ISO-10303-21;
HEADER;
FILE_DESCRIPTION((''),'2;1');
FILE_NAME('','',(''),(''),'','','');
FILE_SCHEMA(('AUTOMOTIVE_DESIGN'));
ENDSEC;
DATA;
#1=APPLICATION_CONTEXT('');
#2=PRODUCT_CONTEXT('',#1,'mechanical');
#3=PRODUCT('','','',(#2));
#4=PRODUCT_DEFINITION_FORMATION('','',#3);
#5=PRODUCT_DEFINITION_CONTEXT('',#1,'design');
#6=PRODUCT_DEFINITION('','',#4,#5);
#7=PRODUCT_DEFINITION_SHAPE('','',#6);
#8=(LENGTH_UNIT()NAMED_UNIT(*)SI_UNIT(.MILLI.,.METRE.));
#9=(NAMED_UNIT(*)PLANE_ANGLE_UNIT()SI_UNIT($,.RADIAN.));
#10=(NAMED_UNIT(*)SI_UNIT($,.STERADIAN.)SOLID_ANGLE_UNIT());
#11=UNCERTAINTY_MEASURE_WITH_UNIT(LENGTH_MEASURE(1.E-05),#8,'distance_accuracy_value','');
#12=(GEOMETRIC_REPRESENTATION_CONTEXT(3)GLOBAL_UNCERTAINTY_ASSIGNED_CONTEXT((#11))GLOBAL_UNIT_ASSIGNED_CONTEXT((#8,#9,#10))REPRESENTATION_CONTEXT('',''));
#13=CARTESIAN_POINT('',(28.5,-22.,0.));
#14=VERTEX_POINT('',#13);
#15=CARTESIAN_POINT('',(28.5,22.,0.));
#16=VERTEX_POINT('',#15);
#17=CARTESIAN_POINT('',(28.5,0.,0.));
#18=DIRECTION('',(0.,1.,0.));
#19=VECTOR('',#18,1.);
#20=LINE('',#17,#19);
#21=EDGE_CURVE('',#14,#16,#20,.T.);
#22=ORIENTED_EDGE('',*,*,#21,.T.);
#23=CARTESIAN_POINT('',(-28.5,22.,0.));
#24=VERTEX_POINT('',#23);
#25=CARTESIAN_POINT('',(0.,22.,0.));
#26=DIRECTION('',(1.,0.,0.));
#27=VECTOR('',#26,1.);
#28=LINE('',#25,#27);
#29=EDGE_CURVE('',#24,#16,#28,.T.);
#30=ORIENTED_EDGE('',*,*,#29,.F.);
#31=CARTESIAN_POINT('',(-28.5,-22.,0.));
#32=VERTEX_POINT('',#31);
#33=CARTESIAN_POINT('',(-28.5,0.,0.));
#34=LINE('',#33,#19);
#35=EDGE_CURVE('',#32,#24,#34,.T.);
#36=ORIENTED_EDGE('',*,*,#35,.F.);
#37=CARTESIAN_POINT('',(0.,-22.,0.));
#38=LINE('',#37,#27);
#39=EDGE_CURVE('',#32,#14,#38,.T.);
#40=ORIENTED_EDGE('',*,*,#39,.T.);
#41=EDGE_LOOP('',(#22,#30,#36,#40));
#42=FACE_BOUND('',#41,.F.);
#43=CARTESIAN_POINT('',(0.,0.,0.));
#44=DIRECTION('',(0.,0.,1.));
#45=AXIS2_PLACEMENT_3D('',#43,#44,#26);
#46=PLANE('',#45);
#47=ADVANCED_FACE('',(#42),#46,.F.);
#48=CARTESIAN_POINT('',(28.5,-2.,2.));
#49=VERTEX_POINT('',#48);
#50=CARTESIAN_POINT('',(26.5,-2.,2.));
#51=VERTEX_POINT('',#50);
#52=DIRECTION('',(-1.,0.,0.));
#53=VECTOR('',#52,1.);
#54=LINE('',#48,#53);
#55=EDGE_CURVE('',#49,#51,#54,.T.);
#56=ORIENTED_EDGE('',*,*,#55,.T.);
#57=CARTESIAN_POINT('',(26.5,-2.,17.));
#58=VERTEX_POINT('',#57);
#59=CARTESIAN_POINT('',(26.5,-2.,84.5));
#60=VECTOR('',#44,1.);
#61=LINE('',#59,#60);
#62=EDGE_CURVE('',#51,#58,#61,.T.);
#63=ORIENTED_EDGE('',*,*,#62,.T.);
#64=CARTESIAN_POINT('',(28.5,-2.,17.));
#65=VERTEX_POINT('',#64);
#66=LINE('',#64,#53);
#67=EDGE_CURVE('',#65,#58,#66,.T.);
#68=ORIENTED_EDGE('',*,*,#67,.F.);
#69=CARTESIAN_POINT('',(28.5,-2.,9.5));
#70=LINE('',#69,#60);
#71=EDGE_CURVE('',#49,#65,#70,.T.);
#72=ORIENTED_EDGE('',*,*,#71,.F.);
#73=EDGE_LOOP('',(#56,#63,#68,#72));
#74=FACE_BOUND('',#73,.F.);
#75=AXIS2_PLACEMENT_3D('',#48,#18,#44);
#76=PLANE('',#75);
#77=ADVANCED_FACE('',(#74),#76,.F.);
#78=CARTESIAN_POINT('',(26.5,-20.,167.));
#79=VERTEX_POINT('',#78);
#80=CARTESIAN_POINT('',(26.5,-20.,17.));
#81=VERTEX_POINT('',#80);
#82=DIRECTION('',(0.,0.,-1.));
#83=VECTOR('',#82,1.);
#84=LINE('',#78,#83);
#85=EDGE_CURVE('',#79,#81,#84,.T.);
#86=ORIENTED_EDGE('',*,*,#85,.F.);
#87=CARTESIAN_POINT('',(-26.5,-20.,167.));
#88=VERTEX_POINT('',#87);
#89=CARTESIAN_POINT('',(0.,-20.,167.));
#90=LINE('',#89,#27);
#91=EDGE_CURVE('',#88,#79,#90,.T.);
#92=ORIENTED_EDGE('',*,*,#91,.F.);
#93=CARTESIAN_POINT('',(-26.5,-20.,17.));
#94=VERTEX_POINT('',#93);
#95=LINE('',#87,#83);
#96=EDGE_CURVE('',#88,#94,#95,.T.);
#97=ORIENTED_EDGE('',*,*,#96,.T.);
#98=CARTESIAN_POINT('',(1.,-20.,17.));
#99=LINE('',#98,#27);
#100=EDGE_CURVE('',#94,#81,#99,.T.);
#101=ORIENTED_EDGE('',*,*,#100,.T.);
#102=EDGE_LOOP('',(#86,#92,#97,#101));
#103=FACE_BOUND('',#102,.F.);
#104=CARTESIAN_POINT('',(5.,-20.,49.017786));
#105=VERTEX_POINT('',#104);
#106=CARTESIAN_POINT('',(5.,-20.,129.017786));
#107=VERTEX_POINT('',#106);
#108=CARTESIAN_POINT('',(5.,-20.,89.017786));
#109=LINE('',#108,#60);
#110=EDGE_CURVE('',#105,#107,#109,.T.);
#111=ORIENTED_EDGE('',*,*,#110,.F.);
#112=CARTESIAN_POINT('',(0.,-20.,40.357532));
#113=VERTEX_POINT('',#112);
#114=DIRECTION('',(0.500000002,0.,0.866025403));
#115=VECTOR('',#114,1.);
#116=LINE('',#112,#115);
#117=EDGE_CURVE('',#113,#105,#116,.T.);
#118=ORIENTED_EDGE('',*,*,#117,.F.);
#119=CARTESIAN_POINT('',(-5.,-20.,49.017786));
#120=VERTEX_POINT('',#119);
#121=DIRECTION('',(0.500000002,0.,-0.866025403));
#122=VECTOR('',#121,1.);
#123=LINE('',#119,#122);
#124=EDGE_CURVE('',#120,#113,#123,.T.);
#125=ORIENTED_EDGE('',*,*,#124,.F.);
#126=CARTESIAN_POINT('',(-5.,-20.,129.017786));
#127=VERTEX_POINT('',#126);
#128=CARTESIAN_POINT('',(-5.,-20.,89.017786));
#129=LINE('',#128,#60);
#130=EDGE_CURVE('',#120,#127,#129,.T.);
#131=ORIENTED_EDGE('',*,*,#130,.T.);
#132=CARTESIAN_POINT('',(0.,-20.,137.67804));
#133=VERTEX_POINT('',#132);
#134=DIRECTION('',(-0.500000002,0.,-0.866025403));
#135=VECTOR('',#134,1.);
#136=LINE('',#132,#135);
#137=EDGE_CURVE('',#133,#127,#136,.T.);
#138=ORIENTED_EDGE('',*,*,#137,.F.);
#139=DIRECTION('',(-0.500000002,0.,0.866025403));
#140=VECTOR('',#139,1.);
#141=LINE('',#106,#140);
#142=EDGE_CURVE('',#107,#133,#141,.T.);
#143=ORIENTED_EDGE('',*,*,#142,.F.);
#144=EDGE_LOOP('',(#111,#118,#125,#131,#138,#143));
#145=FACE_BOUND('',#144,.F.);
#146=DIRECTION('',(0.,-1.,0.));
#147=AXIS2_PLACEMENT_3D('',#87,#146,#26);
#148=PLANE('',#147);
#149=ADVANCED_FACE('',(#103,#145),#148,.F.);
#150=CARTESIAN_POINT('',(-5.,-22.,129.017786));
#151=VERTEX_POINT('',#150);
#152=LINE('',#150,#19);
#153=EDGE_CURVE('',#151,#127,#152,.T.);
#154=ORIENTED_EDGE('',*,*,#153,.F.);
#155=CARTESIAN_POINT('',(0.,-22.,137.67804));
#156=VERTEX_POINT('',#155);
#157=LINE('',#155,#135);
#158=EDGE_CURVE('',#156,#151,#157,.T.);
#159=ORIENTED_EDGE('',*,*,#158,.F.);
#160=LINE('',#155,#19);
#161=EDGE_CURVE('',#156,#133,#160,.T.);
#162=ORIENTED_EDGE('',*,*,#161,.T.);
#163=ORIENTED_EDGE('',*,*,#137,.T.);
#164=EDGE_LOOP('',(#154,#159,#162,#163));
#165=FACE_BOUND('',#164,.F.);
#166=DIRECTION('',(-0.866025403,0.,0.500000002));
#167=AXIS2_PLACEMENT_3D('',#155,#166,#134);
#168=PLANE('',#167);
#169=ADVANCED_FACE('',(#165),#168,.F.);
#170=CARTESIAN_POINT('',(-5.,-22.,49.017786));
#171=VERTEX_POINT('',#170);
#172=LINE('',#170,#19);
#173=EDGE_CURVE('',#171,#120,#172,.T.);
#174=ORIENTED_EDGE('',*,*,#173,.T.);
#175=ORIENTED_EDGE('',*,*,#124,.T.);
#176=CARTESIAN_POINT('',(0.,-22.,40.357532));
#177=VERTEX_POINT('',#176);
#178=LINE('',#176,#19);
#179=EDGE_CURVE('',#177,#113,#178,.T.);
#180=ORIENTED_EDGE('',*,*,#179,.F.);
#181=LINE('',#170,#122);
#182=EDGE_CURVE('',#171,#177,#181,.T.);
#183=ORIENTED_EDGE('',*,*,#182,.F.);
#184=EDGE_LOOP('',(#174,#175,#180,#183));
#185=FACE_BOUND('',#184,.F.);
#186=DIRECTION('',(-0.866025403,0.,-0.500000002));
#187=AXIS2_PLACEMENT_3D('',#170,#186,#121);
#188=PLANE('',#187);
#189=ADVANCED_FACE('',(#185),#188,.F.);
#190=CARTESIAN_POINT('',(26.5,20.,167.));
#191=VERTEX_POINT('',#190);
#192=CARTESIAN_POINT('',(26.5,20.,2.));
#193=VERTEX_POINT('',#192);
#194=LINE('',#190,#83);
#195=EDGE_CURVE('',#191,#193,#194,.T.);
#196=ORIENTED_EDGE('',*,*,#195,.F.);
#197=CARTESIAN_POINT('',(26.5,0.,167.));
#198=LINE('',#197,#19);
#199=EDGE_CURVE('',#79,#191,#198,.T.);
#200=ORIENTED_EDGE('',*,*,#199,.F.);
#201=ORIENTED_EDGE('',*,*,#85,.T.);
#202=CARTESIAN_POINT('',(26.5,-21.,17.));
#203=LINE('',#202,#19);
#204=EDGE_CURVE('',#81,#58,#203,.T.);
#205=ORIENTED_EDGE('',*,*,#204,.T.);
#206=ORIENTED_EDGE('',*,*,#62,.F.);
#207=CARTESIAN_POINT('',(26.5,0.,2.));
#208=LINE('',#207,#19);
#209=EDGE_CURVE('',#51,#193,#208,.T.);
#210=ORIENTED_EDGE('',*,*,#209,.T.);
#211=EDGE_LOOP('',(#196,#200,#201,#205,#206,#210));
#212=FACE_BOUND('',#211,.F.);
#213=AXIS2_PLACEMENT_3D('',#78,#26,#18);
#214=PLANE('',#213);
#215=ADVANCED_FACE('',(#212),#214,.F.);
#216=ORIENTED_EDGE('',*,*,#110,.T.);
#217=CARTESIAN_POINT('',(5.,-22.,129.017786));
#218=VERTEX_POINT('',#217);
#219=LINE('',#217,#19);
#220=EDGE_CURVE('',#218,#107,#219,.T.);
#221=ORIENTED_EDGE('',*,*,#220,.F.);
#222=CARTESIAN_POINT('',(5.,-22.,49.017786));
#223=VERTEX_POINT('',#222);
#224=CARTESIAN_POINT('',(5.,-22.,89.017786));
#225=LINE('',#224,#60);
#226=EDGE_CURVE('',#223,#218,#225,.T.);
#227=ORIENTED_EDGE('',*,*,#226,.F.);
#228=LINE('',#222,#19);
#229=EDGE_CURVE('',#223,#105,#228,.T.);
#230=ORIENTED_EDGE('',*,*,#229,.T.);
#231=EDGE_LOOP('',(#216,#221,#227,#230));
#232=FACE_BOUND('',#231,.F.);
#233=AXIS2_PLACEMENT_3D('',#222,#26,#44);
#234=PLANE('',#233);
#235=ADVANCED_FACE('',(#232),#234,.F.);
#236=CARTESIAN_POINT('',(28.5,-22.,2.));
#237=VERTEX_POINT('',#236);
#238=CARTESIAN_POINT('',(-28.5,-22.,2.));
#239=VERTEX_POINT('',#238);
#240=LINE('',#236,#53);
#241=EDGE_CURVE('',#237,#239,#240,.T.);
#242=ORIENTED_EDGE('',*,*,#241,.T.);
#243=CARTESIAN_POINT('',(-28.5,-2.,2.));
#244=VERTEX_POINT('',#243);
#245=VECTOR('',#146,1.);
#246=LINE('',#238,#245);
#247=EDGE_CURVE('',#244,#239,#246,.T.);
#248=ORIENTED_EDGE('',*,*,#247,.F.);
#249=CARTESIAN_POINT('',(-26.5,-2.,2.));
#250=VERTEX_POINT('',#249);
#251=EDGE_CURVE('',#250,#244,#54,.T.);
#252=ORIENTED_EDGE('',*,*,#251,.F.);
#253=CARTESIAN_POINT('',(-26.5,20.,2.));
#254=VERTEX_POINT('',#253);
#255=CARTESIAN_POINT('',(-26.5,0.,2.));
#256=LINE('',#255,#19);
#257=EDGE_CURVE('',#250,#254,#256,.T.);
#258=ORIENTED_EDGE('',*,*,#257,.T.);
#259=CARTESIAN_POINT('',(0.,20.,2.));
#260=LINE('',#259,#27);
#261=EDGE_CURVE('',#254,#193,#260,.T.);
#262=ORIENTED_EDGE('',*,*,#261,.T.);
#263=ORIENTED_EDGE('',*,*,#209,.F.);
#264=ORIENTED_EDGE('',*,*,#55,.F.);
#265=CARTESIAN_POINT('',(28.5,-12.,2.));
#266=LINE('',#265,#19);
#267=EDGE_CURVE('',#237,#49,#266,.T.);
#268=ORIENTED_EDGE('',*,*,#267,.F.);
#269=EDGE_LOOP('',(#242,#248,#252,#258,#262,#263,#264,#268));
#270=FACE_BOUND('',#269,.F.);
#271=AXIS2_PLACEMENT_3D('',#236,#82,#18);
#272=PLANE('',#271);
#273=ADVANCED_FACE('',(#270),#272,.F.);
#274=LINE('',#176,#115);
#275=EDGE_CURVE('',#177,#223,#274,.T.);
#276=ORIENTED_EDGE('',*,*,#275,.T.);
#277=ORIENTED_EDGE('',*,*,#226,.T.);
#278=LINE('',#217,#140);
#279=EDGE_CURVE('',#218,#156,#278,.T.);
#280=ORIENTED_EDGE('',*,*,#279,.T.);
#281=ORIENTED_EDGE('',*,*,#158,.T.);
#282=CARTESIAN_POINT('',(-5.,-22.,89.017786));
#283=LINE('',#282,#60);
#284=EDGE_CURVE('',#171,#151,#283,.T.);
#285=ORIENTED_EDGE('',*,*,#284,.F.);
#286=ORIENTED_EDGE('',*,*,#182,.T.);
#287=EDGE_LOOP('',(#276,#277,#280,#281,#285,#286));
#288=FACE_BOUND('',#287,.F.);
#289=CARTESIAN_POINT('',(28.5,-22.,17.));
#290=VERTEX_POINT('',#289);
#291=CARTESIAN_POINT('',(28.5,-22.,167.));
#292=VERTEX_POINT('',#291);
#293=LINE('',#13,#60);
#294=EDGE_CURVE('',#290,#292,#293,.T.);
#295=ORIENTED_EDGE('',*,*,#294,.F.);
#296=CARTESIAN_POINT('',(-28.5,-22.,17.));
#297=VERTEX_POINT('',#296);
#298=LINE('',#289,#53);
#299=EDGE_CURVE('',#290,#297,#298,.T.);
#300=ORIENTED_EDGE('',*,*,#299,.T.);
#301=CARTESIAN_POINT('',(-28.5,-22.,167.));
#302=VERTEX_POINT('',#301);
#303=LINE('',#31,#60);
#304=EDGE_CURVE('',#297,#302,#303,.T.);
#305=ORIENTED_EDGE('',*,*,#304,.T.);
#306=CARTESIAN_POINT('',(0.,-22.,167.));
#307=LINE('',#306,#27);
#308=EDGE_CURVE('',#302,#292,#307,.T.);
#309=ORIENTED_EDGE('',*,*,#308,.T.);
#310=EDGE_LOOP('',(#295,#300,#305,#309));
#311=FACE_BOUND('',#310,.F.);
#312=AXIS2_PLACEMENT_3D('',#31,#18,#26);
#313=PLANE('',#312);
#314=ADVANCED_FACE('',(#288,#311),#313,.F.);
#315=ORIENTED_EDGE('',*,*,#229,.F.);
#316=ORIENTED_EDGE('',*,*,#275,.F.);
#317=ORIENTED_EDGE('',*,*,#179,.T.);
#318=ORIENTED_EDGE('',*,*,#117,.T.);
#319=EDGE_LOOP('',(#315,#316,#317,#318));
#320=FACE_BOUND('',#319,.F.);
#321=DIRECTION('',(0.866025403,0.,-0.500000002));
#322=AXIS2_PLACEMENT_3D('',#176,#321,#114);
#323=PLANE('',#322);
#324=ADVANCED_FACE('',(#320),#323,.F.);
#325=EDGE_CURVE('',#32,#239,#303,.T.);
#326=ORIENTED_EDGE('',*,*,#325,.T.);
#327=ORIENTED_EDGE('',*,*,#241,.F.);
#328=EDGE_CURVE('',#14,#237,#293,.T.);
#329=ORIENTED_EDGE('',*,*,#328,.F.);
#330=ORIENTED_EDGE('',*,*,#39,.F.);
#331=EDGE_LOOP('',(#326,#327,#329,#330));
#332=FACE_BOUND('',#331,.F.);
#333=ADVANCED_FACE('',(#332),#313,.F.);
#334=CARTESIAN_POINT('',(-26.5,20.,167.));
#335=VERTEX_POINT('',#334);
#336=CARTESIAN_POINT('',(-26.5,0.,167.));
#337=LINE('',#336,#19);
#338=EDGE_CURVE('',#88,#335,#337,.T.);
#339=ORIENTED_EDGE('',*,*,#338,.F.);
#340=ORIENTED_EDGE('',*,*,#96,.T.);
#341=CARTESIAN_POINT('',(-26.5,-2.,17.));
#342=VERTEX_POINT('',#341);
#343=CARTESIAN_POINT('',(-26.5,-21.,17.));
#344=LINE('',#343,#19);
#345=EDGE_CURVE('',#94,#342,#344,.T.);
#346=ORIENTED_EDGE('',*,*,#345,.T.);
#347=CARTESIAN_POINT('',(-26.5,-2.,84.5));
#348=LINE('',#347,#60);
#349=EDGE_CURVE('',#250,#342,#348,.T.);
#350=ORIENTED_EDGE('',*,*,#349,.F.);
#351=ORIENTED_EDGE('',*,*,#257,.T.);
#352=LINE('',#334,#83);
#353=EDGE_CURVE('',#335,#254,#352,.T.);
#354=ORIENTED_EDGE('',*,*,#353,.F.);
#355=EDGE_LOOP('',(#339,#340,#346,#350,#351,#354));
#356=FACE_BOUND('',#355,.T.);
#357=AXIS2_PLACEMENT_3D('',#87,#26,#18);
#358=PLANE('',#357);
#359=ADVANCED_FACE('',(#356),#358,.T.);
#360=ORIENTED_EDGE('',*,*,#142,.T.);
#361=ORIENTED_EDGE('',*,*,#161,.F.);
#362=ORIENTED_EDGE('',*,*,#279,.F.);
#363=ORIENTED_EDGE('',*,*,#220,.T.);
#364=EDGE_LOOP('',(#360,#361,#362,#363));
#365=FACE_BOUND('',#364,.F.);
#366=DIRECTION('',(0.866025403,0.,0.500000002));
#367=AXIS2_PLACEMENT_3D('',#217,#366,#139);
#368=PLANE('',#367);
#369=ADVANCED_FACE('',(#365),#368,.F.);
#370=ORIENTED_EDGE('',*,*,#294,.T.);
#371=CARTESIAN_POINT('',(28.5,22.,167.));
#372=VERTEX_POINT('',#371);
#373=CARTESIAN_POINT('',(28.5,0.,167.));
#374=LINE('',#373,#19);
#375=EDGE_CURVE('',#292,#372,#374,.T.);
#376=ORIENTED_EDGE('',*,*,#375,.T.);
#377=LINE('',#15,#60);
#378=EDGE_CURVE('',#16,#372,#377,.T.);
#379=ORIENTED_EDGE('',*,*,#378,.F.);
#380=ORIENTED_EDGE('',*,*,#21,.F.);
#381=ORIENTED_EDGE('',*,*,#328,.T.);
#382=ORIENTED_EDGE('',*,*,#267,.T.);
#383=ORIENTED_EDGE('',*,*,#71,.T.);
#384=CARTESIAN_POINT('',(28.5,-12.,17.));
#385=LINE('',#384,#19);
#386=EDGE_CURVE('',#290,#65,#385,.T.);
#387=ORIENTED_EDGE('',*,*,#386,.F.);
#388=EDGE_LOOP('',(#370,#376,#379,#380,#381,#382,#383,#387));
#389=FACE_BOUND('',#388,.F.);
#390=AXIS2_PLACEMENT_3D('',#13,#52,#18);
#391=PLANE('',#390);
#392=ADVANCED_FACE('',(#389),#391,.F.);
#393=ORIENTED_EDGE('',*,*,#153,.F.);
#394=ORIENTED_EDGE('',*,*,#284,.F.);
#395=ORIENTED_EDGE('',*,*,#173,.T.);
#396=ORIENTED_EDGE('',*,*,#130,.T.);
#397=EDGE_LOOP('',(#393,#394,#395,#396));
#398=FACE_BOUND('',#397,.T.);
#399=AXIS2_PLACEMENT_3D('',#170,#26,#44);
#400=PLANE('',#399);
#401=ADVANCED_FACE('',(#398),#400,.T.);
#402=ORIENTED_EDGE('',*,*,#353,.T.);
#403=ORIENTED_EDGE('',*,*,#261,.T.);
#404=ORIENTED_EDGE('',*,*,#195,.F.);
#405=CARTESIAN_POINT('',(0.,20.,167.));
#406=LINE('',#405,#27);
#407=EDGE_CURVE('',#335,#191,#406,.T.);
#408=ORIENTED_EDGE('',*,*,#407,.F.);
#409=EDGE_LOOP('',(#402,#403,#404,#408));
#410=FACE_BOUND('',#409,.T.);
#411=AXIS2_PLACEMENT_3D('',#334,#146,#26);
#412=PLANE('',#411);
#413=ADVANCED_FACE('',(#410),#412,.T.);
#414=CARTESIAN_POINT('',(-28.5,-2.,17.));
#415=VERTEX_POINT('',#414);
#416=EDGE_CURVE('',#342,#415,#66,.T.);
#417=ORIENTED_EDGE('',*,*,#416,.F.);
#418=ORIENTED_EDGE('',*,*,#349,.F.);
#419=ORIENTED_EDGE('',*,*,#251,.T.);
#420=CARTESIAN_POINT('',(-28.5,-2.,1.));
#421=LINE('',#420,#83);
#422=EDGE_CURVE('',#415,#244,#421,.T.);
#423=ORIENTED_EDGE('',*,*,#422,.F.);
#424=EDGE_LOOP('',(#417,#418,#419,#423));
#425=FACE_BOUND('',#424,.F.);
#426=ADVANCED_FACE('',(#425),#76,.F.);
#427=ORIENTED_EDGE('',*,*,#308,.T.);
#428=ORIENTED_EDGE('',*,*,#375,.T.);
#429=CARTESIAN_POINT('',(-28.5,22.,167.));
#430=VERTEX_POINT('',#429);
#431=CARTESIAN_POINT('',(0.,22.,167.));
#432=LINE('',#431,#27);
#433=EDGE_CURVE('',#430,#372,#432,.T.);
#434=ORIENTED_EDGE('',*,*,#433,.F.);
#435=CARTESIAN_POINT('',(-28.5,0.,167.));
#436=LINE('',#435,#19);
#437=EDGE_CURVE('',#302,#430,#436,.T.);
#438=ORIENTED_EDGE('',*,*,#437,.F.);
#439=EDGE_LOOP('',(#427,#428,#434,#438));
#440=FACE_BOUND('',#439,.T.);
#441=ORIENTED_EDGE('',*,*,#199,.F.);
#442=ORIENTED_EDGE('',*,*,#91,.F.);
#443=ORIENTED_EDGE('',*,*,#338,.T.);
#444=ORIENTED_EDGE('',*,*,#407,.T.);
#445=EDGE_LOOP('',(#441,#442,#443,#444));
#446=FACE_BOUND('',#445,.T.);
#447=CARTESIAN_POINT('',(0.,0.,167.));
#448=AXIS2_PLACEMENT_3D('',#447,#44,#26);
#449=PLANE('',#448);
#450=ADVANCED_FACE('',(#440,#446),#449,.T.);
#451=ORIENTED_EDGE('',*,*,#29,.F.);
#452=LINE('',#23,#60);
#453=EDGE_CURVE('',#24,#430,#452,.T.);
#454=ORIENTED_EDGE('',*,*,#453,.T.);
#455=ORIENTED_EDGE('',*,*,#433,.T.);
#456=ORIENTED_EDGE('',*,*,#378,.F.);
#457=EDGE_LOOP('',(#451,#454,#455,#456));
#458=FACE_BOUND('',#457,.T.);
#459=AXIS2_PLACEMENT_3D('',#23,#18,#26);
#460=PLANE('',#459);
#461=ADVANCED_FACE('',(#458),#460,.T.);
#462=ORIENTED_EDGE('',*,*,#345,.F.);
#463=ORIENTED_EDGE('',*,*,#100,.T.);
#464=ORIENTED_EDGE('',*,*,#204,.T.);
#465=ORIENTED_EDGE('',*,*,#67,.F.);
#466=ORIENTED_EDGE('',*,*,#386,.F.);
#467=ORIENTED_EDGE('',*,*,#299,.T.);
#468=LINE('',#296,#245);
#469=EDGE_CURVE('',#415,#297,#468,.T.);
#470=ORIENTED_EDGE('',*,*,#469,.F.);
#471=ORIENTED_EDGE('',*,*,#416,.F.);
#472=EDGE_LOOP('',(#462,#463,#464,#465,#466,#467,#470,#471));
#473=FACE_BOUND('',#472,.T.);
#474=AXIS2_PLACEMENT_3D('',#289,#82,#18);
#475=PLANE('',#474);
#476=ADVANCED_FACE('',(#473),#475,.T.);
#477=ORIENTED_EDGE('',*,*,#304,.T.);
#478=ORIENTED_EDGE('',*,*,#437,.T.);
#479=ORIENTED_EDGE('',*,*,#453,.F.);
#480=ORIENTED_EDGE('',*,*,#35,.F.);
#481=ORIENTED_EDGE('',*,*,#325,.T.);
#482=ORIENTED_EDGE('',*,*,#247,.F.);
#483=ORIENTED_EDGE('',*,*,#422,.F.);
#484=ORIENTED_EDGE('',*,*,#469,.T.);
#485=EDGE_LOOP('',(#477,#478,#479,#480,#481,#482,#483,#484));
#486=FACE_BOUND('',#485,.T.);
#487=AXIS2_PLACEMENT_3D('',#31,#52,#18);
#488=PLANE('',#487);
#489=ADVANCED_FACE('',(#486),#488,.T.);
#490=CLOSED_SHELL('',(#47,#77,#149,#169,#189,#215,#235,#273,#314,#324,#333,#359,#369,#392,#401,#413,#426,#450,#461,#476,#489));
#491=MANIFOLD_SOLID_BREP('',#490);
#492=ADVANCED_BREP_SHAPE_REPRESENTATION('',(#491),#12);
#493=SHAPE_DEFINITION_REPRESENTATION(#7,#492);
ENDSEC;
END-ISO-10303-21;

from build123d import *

# Parameters (mm, degrees)
F0_W     = 57
F0_H     = 44
F1_DEPTH = 167
F2_W     = 53
F2_H     = 40
F3_DEPTH = 165
F4_W     = 20
F4_H     = 15
F5_DEPTH = 84
F6_W     = 10
F6_H     = 80
F7_DEPTH = 2


with BuildPart() as f1:
    # F0 (on Top) → F1 (new body)
    with BuildSketch(Plane.XY):
        Rectangle(F0_W, F0_H)
    extrude(amount=F1_DEPTH)

    # F2 (on face) → F3 (cut)
    with BuildSketch(Plane.XY.offset(167)):
        Rectangle(F2_W, F2_H)
    extrude(amount=-F3_DEPTH, mode=Mode.SUBTRACT)

    # F4 (on face) → F5 (cut)
    with BuildSketch(Plane.YZ.offset(28.5)):
        with Locations((-12, 9.5)):
            Rectangle(F4_W, F4_H)
    extrude(amount=-F5_DEPTH, mode=Mode.SUBTRACT)

    # F6 (on face) → F7 (cut)
    with BuildSketch(Plane.XZ.offset(22)):
        Polygon((5, 49.017786), (-5, 49.017786), (0, 40.357532), align=None)
        with Locations((0, 89.017786)):
            Rectangle(F6_W, F6_H)
        Polygon((0, 137.67804), (-5, 129.017786), (5, 129.017786), align=None)
    extrude(amount=-F7_DEPTH, mode=Mode.SUBTRACT)


solid = f1.part
